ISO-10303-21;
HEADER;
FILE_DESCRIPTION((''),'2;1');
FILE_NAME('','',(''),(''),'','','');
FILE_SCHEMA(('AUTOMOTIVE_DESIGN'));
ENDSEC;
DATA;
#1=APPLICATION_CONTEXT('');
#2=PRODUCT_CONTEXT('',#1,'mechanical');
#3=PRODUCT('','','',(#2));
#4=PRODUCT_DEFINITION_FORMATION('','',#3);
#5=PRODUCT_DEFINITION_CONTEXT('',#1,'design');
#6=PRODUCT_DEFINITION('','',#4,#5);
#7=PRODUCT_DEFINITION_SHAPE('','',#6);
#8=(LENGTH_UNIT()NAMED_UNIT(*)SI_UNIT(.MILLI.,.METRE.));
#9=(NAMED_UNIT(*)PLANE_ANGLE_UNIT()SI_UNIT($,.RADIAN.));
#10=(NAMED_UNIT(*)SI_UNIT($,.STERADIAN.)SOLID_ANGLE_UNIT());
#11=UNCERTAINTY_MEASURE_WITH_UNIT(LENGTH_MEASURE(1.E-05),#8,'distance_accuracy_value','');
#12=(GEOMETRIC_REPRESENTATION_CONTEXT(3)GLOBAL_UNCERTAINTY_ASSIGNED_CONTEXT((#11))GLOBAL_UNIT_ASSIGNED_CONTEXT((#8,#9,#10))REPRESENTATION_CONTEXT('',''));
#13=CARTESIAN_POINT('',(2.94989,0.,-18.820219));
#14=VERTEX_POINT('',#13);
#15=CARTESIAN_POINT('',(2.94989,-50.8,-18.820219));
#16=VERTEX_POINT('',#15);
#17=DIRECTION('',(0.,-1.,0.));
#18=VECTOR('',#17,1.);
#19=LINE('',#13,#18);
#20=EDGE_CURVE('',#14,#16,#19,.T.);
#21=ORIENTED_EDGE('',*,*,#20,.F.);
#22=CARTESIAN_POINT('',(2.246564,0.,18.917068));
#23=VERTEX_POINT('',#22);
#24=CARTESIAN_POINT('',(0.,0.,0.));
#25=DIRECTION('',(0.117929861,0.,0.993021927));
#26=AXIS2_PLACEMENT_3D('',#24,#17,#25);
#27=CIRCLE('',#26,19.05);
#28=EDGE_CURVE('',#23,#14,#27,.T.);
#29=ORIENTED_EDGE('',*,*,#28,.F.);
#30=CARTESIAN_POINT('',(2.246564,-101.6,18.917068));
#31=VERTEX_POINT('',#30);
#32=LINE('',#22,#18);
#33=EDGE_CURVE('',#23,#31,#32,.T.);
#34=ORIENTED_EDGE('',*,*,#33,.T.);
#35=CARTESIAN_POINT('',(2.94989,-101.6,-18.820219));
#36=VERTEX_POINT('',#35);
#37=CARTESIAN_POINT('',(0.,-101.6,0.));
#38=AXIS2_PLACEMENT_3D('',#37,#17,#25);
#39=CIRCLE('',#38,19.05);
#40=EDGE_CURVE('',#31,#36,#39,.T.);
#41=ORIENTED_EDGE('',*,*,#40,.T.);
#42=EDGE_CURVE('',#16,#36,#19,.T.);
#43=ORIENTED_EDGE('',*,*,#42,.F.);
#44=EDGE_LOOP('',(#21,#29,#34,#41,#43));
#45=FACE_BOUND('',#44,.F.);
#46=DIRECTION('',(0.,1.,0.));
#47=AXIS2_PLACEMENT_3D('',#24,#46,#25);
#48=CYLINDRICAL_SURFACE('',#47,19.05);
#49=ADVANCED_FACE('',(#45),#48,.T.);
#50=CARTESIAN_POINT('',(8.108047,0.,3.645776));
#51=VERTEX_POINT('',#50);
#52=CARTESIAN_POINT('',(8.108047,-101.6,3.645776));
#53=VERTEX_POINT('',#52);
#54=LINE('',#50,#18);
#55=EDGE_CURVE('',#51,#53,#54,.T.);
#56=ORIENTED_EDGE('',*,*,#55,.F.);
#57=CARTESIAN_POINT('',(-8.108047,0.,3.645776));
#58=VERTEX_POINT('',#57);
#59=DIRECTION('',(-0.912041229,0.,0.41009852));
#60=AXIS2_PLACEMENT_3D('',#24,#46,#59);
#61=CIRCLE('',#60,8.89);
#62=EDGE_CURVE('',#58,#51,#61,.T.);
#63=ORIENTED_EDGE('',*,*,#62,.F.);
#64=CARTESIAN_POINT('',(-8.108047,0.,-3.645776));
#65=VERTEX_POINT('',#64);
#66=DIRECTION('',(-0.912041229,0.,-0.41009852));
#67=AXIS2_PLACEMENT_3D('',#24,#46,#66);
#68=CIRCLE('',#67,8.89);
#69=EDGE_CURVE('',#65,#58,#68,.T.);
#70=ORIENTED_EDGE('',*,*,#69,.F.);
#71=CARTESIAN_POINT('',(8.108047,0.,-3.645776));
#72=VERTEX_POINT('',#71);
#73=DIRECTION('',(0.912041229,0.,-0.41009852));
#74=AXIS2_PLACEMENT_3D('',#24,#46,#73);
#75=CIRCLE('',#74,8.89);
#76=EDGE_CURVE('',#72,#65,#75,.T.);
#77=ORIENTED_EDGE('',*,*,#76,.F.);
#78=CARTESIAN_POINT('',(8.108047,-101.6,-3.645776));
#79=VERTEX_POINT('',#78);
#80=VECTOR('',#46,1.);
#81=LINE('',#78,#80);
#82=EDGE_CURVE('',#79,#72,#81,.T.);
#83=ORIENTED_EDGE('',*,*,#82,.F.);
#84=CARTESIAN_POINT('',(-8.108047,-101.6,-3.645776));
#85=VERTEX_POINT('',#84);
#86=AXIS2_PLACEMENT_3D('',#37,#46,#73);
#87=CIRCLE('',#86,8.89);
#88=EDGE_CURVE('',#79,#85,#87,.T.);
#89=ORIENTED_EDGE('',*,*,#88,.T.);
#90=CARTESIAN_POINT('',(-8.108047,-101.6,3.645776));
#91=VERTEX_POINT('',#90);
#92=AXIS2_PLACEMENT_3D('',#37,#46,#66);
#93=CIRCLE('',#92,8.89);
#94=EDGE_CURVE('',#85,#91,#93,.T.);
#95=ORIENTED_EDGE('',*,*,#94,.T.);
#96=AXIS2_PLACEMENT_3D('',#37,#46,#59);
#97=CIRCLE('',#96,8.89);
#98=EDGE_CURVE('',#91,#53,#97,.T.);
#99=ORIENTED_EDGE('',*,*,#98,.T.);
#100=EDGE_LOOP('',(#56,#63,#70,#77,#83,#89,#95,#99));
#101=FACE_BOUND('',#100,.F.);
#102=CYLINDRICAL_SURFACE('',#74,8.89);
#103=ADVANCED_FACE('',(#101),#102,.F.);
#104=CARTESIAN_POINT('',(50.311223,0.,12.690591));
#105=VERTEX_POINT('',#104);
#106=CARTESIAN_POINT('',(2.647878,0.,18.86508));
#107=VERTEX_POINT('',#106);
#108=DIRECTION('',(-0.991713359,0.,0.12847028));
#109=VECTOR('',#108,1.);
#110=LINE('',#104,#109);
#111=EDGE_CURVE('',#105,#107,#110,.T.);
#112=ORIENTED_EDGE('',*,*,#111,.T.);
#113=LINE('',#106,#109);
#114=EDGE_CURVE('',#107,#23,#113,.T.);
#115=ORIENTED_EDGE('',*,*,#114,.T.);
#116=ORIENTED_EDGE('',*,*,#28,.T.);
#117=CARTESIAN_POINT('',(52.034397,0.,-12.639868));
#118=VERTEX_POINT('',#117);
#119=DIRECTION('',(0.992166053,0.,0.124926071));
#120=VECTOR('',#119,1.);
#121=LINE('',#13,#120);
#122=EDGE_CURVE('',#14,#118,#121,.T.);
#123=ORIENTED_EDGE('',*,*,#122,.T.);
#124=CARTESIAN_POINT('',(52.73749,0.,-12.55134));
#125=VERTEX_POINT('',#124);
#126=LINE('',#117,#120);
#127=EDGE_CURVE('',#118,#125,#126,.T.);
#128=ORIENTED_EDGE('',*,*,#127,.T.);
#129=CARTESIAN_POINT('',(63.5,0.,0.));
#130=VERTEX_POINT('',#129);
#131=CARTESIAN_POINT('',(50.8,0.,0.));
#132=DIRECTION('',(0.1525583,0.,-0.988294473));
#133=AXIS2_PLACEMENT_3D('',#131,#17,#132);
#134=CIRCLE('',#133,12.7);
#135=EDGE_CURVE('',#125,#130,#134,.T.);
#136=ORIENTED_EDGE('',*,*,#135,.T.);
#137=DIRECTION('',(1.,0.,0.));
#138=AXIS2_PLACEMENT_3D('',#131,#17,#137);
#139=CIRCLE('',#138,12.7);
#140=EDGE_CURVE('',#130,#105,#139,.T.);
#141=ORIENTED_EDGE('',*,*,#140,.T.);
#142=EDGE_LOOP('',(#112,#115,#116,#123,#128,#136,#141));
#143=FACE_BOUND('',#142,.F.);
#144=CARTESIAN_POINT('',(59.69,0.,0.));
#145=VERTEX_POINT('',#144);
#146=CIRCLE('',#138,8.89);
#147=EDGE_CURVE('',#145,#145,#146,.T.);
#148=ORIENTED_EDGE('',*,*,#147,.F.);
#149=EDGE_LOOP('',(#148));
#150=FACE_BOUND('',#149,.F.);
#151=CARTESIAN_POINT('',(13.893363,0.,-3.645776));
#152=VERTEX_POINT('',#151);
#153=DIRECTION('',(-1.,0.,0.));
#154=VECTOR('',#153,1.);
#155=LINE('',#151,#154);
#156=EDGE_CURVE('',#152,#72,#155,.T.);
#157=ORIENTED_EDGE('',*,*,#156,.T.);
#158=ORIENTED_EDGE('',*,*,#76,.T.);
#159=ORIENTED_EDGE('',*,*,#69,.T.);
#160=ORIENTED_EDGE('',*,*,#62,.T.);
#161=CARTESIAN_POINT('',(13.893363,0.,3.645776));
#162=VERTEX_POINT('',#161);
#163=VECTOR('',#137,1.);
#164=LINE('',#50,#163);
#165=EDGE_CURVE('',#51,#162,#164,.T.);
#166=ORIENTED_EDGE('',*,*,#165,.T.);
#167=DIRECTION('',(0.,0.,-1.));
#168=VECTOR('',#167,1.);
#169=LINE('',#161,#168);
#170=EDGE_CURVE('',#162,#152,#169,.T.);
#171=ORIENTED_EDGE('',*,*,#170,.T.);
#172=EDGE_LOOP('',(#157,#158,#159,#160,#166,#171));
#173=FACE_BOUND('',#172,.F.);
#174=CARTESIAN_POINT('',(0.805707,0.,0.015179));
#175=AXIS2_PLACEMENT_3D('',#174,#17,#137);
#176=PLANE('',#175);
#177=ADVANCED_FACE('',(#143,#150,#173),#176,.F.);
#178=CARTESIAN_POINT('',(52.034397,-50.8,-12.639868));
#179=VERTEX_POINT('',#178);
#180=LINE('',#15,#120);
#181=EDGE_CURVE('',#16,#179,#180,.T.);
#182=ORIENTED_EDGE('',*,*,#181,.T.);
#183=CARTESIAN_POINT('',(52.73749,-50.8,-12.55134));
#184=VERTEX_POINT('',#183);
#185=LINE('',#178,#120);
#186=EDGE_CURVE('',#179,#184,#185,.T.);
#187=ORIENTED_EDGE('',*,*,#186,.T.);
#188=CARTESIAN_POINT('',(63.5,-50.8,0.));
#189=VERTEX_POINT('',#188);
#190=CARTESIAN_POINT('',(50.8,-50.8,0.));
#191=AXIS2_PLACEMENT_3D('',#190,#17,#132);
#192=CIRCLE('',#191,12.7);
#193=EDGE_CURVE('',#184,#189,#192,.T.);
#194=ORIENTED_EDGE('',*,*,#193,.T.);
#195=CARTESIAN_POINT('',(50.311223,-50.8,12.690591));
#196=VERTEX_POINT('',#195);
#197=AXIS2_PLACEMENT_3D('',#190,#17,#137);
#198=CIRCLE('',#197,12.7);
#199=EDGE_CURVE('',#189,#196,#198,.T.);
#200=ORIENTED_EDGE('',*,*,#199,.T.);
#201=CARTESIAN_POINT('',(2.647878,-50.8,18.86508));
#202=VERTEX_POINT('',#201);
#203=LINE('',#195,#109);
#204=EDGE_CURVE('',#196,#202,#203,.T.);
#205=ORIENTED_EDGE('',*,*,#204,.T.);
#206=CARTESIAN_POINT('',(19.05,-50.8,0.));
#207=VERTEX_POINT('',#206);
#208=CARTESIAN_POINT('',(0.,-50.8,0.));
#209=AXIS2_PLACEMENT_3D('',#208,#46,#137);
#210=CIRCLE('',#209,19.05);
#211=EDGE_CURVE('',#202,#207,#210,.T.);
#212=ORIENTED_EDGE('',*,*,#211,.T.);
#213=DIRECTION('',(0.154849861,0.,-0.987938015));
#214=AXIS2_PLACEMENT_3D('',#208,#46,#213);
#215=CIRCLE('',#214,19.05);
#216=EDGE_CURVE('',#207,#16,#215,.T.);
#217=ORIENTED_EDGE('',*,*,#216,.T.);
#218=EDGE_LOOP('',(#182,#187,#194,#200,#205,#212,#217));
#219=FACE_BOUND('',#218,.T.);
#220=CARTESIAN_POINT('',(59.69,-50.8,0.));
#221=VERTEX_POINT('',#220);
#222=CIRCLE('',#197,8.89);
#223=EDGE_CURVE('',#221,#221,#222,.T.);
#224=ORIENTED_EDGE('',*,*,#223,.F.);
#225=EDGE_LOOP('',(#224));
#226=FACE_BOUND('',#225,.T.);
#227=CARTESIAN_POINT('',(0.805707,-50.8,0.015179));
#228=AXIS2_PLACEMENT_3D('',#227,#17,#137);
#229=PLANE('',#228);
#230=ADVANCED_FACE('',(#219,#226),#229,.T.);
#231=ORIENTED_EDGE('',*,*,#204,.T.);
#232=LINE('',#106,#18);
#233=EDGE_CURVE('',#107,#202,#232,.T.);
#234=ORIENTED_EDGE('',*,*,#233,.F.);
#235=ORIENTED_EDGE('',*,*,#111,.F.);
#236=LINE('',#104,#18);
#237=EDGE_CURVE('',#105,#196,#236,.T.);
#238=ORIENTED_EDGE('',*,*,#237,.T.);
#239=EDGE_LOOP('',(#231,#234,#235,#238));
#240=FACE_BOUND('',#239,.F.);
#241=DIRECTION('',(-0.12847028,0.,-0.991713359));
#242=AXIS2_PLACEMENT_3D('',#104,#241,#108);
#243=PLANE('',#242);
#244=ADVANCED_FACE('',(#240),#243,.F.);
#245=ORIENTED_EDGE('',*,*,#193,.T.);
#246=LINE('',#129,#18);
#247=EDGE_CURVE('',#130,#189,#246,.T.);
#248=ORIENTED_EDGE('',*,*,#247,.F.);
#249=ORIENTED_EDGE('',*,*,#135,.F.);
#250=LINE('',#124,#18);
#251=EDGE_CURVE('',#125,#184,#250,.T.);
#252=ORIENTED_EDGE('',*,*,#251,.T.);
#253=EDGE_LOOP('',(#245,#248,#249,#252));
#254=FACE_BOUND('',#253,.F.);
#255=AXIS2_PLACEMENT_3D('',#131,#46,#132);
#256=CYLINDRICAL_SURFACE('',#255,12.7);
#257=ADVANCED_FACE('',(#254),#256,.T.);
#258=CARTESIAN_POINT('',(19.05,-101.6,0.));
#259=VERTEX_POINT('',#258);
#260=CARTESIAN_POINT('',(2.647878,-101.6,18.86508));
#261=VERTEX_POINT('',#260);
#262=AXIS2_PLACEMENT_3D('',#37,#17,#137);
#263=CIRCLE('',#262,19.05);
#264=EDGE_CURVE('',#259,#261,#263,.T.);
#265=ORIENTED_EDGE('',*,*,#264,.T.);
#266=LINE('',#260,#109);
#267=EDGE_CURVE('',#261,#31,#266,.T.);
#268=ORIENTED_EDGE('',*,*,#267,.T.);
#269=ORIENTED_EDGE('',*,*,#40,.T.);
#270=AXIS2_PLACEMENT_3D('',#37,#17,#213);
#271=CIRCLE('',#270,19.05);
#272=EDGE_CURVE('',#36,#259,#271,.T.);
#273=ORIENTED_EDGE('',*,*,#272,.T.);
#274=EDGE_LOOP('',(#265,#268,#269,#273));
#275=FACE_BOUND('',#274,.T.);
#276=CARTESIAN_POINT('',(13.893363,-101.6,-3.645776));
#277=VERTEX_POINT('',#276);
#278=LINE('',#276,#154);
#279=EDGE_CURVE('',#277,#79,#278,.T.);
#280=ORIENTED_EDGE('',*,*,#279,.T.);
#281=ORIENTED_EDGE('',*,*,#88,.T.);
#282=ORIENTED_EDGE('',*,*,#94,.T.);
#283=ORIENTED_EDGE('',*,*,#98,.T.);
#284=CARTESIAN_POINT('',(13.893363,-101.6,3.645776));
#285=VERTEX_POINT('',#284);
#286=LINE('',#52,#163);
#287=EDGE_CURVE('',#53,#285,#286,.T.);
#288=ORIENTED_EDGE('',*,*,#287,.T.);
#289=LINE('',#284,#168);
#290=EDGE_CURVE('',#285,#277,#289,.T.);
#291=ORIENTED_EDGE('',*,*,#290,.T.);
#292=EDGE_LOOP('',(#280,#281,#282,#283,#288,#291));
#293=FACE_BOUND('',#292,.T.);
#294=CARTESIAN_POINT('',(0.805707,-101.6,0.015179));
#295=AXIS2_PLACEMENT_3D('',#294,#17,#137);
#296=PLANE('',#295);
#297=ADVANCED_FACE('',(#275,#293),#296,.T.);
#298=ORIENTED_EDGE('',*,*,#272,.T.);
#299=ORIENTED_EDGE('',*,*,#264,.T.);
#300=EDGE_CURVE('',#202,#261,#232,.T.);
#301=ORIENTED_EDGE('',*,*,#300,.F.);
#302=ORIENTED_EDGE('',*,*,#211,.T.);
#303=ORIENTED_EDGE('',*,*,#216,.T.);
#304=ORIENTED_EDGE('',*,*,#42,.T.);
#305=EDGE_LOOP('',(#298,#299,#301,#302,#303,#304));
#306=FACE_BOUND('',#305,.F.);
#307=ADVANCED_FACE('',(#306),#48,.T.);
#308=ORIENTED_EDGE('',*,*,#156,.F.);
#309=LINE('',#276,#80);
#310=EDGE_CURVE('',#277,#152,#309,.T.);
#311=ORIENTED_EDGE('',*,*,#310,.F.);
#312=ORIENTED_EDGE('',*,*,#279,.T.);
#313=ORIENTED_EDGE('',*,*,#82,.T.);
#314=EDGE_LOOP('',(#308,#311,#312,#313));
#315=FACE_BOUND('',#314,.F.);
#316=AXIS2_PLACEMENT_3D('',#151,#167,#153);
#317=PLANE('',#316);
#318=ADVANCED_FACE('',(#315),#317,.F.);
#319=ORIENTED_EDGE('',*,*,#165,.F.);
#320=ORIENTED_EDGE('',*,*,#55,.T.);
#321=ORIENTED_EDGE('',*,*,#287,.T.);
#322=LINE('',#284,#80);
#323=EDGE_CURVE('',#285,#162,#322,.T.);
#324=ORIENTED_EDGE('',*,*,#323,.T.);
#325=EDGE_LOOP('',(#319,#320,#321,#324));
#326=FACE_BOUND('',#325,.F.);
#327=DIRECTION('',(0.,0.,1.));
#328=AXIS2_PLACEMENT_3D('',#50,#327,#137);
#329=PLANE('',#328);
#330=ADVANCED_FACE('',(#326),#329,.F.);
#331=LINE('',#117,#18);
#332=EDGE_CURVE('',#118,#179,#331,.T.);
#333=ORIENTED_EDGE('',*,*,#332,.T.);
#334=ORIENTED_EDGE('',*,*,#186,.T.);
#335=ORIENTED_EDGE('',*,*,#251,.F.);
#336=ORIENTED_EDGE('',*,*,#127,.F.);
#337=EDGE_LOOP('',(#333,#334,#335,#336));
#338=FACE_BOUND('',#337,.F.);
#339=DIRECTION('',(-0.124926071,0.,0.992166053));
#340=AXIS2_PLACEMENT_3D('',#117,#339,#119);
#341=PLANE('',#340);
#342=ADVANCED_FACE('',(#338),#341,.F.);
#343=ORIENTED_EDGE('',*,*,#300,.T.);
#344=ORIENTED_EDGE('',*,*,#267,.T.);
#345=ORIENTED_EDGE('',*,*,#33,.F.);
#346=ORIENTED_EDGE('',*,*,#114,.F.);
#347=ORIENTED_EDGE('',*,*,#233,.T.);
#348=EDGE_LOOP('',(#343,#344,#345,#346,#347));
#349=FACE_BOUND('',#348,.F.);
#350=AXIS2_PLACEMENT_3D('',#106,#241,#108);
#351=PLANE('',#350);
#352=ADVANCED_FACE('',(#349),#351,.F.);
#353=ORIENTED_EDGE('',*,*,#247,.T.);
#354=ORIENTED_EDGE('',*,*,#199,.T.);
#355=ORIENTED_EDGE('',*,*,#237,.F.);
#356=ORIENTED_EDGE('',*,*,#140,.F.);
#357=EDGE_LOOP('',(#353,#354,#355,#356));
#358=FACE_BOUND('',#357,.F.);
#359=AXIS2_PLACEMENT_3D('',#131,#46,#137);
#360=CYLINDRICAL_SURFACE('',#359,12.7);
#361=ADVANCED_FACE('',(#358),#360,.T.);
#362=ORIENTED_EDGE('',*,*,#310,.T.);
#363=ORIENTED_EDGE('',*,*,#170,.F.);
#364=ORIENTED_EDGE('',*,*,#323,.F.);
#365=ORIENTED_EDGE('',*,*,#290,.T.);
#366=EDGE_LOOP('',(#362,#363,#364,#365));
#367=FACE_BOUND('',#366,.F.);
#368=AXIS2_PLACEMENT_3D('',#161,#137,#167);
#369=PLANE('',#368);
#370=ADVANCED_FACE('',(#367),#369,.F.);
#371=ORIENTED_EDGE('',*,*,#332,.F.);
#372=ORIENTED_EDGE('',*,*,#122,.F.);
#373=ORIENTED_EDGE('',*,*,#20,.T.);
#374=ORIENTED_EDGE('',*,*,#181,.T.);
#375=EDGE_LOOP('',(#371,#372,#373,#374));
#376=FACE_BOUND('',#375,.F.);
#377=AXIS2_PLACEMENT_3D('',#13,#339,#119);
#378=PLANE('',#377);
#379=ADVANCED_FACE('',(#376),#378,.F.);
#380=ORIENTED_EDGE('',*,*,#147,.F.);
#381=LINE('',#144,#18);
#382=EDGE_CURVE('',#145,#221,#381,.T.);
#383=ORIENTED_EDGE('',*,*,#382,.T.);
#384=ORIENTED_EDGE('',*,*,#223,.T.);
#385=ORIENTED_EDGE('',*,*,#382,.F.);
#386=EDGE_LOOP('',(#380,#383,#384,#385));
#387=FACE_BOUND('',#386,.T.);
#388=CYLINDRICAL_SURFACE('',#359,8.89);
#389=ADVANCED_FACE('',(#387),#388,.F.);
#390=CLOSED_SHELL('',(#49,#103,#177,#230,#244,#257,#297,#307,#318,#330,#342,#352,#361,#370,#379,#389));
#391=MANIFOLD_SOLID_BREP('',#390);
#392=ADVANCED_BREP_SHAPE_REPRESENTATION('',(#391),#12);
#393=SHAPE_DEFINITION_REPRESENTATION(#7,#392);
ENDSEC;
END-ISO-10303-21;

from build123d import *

# Parameters (mm, degrees)
F0_R     = 8.89
F1_DEPTH = 50.8
F2_DEPTH = 101.6


with BuildPart() as f1:
    # F0 (on Front) → F1 (new body)
    with BuildSketch(Plane.XZ):
        with BuildLine():
            Line((2.6478777145, 18.8650800054), (2.2465638598, 18.9170677121))
            ThreePointArc((2.2465638598, 18.9170677121), (-19.0466923173, -0.3549813672), (2.9498898479, -18.8202191774))
            ThreePointArc((2.9498898479, -18.8202191774), (14.4758057047, -12.3836000096), (19.05, 0))
            ThreePointArc((19.05, 0), (14.3761011832, 12.4992085657), (2.6478777145, 18.8650800054))
        make_face()
        with BuildLine():
            ThreePointArc((-8.1080465296, 3.6457758397), (0, 8.89), (8.1080465296, 3.6457758397))
            Line((8.1080465296, 3.6457758397), (13.893363066, 3.6457758397))
            Line((13.893363066, 3.6457758397), (13.893363066, -3.6457758397))
            Line((13.893363066, -3.6457758397), (8.1080465296, -3.6457758397))
            ThreePointArc((8.1080465296, -3.6457758397), (0, -8.89), (-8.1080465296, -3.6457758397))
            Line((-8.1080465296, -3.6457758397), (-13.893363066, -3.6457758397))
            Line((-13.893363066, -3.6457758397), (-13.893363066, 3.6457758397))
            Line((-13.893363066, 3.6457758397), (-8.1080465296, 3.6457758397))
        make_face(mode=Mode.SUBTRACT)
        with BuildLine():
            ThreePointArc((-8.1080465296, -3.6457758397), (-8.89, 0), (-8.1080465296, 3.6457758397))
            Line((-8.1080465296, 3.6457758397), (-13.893363066, 3.6457758397))
            Line((-13.893363066, 3.6457758397), (-13.893363066, -3.6457758397))
            Line((-13.893363066, -3.6457758397), (-8.1080465296, -3.6457758397))
        make_face()
        with BuildLine():
            ThreePointArc((19.05, 0), (14.4758057047, -12.3836000096), (2.9498898479, -18.8202191774))
            Line((2.9498898479, -18.8202191774), (52.0343965974, -12.6398680784))
            ThreePointArc((52.0343965974, -12.6398680784), (38.1292847418, -0.8619598857), (50.3112231952, 12.6905908939))
            Line((50.3112231952, 12.6905908939), (2.6478777145, 18.8650800054))
            ThreePointArc((2.6478777145, 18.8650800054), (14.3761011832, 12.4992085657), (19.05, 0))
        make_face()
        with BuildLine():
            ThreePointArc((50.3112231952, 12.6905908939), (38.1292847418, -0.8619598857), (52.0343965974, -12.6398680784))
            Line((52.0343965974, -12.6398680784), (52.7374904121, -12.5513398051))
            ThreePointArc((52.7374904121, -12.5513398051), (60.4409576348, -8.2669181612), (63.5, 0))
            ThreePointArc((63.5, 0), (59.6057519435, 9.1514333692), (50.3112231952, 12.6905908939))
        make_face()
        with Locations((50.8, 0)):
            Circle(F0_R, mode=Mode.SUBTRACT)
    extrude(amount=F1_DEPTH)

    # F0 (on Front) → F2 (join)
    with BuildSketch(Plane.XZ):
        with BuildLine():
            Line((2.6478777145, 18.8650800054), (2.2465638598, 18.9170677121))
            ThreePointArc((2.2465638598, 18.9170677121), (-19.0466923173, -0.3549813672), (2.9498898479, -18.8202191774))
            ThreePointArc((2.9498898479, -18.8202191774), (14.4758057047, -12.3836000096), (19.05, 0))
            ThreePointArc((19.05, 0), (14.3761011832, 12.4992085657), (2.6478777145, 18.8650800054))
        make_face()
        with BuildLine():
            ThreePointArc((-8.1080465296, 3.6457758397), (0, 8.89), (8.1080465296, 3.6457758397))
            Line((8.1080465296, 3.6457758397), (13.893363066, 3.6457758397))
            Line((13.893363066, 3.6457758397), (13.893363066, -3.6457758397))
            Line((13.893363066, -3.6457758397), (8.1080465296, -3.6457758397))
            ThreePointArc((8.1080465296, -3.6457758397), (0, -8.89), (-8.1080465296, -3.6457758397))
            Line((-8.1080465296, -3.6457758397), (-13.893363066, -3.6457758397))
            Line((-13.893363066, -3.6457758397), (-13.893363066, 3.6457758397))
            Line((-13.893363066, 3.6457758397), (-8.1080465296, 3.6457758397))
        make_face(mode=Mode.SUBTRACT)
        with BuildLine():
            ThreePointArc((-8.1080465296, -3.6457758397), (-8.89, 0), (-8.1080465296, 3.6457758397))
            Line((-8.1080465296, 3.6457758397), (-13.893363066, 3.6457758397))
            Line((-13.893363066, 3.6457758397), (-13.893363066, -3.6457758397))
            Line((-13.893363066, -3.6457758397), (-8.1080465296, -3.6457758397))
        make_face()
    extrude(amount=F2_DEPTH)


solid = f1.part
